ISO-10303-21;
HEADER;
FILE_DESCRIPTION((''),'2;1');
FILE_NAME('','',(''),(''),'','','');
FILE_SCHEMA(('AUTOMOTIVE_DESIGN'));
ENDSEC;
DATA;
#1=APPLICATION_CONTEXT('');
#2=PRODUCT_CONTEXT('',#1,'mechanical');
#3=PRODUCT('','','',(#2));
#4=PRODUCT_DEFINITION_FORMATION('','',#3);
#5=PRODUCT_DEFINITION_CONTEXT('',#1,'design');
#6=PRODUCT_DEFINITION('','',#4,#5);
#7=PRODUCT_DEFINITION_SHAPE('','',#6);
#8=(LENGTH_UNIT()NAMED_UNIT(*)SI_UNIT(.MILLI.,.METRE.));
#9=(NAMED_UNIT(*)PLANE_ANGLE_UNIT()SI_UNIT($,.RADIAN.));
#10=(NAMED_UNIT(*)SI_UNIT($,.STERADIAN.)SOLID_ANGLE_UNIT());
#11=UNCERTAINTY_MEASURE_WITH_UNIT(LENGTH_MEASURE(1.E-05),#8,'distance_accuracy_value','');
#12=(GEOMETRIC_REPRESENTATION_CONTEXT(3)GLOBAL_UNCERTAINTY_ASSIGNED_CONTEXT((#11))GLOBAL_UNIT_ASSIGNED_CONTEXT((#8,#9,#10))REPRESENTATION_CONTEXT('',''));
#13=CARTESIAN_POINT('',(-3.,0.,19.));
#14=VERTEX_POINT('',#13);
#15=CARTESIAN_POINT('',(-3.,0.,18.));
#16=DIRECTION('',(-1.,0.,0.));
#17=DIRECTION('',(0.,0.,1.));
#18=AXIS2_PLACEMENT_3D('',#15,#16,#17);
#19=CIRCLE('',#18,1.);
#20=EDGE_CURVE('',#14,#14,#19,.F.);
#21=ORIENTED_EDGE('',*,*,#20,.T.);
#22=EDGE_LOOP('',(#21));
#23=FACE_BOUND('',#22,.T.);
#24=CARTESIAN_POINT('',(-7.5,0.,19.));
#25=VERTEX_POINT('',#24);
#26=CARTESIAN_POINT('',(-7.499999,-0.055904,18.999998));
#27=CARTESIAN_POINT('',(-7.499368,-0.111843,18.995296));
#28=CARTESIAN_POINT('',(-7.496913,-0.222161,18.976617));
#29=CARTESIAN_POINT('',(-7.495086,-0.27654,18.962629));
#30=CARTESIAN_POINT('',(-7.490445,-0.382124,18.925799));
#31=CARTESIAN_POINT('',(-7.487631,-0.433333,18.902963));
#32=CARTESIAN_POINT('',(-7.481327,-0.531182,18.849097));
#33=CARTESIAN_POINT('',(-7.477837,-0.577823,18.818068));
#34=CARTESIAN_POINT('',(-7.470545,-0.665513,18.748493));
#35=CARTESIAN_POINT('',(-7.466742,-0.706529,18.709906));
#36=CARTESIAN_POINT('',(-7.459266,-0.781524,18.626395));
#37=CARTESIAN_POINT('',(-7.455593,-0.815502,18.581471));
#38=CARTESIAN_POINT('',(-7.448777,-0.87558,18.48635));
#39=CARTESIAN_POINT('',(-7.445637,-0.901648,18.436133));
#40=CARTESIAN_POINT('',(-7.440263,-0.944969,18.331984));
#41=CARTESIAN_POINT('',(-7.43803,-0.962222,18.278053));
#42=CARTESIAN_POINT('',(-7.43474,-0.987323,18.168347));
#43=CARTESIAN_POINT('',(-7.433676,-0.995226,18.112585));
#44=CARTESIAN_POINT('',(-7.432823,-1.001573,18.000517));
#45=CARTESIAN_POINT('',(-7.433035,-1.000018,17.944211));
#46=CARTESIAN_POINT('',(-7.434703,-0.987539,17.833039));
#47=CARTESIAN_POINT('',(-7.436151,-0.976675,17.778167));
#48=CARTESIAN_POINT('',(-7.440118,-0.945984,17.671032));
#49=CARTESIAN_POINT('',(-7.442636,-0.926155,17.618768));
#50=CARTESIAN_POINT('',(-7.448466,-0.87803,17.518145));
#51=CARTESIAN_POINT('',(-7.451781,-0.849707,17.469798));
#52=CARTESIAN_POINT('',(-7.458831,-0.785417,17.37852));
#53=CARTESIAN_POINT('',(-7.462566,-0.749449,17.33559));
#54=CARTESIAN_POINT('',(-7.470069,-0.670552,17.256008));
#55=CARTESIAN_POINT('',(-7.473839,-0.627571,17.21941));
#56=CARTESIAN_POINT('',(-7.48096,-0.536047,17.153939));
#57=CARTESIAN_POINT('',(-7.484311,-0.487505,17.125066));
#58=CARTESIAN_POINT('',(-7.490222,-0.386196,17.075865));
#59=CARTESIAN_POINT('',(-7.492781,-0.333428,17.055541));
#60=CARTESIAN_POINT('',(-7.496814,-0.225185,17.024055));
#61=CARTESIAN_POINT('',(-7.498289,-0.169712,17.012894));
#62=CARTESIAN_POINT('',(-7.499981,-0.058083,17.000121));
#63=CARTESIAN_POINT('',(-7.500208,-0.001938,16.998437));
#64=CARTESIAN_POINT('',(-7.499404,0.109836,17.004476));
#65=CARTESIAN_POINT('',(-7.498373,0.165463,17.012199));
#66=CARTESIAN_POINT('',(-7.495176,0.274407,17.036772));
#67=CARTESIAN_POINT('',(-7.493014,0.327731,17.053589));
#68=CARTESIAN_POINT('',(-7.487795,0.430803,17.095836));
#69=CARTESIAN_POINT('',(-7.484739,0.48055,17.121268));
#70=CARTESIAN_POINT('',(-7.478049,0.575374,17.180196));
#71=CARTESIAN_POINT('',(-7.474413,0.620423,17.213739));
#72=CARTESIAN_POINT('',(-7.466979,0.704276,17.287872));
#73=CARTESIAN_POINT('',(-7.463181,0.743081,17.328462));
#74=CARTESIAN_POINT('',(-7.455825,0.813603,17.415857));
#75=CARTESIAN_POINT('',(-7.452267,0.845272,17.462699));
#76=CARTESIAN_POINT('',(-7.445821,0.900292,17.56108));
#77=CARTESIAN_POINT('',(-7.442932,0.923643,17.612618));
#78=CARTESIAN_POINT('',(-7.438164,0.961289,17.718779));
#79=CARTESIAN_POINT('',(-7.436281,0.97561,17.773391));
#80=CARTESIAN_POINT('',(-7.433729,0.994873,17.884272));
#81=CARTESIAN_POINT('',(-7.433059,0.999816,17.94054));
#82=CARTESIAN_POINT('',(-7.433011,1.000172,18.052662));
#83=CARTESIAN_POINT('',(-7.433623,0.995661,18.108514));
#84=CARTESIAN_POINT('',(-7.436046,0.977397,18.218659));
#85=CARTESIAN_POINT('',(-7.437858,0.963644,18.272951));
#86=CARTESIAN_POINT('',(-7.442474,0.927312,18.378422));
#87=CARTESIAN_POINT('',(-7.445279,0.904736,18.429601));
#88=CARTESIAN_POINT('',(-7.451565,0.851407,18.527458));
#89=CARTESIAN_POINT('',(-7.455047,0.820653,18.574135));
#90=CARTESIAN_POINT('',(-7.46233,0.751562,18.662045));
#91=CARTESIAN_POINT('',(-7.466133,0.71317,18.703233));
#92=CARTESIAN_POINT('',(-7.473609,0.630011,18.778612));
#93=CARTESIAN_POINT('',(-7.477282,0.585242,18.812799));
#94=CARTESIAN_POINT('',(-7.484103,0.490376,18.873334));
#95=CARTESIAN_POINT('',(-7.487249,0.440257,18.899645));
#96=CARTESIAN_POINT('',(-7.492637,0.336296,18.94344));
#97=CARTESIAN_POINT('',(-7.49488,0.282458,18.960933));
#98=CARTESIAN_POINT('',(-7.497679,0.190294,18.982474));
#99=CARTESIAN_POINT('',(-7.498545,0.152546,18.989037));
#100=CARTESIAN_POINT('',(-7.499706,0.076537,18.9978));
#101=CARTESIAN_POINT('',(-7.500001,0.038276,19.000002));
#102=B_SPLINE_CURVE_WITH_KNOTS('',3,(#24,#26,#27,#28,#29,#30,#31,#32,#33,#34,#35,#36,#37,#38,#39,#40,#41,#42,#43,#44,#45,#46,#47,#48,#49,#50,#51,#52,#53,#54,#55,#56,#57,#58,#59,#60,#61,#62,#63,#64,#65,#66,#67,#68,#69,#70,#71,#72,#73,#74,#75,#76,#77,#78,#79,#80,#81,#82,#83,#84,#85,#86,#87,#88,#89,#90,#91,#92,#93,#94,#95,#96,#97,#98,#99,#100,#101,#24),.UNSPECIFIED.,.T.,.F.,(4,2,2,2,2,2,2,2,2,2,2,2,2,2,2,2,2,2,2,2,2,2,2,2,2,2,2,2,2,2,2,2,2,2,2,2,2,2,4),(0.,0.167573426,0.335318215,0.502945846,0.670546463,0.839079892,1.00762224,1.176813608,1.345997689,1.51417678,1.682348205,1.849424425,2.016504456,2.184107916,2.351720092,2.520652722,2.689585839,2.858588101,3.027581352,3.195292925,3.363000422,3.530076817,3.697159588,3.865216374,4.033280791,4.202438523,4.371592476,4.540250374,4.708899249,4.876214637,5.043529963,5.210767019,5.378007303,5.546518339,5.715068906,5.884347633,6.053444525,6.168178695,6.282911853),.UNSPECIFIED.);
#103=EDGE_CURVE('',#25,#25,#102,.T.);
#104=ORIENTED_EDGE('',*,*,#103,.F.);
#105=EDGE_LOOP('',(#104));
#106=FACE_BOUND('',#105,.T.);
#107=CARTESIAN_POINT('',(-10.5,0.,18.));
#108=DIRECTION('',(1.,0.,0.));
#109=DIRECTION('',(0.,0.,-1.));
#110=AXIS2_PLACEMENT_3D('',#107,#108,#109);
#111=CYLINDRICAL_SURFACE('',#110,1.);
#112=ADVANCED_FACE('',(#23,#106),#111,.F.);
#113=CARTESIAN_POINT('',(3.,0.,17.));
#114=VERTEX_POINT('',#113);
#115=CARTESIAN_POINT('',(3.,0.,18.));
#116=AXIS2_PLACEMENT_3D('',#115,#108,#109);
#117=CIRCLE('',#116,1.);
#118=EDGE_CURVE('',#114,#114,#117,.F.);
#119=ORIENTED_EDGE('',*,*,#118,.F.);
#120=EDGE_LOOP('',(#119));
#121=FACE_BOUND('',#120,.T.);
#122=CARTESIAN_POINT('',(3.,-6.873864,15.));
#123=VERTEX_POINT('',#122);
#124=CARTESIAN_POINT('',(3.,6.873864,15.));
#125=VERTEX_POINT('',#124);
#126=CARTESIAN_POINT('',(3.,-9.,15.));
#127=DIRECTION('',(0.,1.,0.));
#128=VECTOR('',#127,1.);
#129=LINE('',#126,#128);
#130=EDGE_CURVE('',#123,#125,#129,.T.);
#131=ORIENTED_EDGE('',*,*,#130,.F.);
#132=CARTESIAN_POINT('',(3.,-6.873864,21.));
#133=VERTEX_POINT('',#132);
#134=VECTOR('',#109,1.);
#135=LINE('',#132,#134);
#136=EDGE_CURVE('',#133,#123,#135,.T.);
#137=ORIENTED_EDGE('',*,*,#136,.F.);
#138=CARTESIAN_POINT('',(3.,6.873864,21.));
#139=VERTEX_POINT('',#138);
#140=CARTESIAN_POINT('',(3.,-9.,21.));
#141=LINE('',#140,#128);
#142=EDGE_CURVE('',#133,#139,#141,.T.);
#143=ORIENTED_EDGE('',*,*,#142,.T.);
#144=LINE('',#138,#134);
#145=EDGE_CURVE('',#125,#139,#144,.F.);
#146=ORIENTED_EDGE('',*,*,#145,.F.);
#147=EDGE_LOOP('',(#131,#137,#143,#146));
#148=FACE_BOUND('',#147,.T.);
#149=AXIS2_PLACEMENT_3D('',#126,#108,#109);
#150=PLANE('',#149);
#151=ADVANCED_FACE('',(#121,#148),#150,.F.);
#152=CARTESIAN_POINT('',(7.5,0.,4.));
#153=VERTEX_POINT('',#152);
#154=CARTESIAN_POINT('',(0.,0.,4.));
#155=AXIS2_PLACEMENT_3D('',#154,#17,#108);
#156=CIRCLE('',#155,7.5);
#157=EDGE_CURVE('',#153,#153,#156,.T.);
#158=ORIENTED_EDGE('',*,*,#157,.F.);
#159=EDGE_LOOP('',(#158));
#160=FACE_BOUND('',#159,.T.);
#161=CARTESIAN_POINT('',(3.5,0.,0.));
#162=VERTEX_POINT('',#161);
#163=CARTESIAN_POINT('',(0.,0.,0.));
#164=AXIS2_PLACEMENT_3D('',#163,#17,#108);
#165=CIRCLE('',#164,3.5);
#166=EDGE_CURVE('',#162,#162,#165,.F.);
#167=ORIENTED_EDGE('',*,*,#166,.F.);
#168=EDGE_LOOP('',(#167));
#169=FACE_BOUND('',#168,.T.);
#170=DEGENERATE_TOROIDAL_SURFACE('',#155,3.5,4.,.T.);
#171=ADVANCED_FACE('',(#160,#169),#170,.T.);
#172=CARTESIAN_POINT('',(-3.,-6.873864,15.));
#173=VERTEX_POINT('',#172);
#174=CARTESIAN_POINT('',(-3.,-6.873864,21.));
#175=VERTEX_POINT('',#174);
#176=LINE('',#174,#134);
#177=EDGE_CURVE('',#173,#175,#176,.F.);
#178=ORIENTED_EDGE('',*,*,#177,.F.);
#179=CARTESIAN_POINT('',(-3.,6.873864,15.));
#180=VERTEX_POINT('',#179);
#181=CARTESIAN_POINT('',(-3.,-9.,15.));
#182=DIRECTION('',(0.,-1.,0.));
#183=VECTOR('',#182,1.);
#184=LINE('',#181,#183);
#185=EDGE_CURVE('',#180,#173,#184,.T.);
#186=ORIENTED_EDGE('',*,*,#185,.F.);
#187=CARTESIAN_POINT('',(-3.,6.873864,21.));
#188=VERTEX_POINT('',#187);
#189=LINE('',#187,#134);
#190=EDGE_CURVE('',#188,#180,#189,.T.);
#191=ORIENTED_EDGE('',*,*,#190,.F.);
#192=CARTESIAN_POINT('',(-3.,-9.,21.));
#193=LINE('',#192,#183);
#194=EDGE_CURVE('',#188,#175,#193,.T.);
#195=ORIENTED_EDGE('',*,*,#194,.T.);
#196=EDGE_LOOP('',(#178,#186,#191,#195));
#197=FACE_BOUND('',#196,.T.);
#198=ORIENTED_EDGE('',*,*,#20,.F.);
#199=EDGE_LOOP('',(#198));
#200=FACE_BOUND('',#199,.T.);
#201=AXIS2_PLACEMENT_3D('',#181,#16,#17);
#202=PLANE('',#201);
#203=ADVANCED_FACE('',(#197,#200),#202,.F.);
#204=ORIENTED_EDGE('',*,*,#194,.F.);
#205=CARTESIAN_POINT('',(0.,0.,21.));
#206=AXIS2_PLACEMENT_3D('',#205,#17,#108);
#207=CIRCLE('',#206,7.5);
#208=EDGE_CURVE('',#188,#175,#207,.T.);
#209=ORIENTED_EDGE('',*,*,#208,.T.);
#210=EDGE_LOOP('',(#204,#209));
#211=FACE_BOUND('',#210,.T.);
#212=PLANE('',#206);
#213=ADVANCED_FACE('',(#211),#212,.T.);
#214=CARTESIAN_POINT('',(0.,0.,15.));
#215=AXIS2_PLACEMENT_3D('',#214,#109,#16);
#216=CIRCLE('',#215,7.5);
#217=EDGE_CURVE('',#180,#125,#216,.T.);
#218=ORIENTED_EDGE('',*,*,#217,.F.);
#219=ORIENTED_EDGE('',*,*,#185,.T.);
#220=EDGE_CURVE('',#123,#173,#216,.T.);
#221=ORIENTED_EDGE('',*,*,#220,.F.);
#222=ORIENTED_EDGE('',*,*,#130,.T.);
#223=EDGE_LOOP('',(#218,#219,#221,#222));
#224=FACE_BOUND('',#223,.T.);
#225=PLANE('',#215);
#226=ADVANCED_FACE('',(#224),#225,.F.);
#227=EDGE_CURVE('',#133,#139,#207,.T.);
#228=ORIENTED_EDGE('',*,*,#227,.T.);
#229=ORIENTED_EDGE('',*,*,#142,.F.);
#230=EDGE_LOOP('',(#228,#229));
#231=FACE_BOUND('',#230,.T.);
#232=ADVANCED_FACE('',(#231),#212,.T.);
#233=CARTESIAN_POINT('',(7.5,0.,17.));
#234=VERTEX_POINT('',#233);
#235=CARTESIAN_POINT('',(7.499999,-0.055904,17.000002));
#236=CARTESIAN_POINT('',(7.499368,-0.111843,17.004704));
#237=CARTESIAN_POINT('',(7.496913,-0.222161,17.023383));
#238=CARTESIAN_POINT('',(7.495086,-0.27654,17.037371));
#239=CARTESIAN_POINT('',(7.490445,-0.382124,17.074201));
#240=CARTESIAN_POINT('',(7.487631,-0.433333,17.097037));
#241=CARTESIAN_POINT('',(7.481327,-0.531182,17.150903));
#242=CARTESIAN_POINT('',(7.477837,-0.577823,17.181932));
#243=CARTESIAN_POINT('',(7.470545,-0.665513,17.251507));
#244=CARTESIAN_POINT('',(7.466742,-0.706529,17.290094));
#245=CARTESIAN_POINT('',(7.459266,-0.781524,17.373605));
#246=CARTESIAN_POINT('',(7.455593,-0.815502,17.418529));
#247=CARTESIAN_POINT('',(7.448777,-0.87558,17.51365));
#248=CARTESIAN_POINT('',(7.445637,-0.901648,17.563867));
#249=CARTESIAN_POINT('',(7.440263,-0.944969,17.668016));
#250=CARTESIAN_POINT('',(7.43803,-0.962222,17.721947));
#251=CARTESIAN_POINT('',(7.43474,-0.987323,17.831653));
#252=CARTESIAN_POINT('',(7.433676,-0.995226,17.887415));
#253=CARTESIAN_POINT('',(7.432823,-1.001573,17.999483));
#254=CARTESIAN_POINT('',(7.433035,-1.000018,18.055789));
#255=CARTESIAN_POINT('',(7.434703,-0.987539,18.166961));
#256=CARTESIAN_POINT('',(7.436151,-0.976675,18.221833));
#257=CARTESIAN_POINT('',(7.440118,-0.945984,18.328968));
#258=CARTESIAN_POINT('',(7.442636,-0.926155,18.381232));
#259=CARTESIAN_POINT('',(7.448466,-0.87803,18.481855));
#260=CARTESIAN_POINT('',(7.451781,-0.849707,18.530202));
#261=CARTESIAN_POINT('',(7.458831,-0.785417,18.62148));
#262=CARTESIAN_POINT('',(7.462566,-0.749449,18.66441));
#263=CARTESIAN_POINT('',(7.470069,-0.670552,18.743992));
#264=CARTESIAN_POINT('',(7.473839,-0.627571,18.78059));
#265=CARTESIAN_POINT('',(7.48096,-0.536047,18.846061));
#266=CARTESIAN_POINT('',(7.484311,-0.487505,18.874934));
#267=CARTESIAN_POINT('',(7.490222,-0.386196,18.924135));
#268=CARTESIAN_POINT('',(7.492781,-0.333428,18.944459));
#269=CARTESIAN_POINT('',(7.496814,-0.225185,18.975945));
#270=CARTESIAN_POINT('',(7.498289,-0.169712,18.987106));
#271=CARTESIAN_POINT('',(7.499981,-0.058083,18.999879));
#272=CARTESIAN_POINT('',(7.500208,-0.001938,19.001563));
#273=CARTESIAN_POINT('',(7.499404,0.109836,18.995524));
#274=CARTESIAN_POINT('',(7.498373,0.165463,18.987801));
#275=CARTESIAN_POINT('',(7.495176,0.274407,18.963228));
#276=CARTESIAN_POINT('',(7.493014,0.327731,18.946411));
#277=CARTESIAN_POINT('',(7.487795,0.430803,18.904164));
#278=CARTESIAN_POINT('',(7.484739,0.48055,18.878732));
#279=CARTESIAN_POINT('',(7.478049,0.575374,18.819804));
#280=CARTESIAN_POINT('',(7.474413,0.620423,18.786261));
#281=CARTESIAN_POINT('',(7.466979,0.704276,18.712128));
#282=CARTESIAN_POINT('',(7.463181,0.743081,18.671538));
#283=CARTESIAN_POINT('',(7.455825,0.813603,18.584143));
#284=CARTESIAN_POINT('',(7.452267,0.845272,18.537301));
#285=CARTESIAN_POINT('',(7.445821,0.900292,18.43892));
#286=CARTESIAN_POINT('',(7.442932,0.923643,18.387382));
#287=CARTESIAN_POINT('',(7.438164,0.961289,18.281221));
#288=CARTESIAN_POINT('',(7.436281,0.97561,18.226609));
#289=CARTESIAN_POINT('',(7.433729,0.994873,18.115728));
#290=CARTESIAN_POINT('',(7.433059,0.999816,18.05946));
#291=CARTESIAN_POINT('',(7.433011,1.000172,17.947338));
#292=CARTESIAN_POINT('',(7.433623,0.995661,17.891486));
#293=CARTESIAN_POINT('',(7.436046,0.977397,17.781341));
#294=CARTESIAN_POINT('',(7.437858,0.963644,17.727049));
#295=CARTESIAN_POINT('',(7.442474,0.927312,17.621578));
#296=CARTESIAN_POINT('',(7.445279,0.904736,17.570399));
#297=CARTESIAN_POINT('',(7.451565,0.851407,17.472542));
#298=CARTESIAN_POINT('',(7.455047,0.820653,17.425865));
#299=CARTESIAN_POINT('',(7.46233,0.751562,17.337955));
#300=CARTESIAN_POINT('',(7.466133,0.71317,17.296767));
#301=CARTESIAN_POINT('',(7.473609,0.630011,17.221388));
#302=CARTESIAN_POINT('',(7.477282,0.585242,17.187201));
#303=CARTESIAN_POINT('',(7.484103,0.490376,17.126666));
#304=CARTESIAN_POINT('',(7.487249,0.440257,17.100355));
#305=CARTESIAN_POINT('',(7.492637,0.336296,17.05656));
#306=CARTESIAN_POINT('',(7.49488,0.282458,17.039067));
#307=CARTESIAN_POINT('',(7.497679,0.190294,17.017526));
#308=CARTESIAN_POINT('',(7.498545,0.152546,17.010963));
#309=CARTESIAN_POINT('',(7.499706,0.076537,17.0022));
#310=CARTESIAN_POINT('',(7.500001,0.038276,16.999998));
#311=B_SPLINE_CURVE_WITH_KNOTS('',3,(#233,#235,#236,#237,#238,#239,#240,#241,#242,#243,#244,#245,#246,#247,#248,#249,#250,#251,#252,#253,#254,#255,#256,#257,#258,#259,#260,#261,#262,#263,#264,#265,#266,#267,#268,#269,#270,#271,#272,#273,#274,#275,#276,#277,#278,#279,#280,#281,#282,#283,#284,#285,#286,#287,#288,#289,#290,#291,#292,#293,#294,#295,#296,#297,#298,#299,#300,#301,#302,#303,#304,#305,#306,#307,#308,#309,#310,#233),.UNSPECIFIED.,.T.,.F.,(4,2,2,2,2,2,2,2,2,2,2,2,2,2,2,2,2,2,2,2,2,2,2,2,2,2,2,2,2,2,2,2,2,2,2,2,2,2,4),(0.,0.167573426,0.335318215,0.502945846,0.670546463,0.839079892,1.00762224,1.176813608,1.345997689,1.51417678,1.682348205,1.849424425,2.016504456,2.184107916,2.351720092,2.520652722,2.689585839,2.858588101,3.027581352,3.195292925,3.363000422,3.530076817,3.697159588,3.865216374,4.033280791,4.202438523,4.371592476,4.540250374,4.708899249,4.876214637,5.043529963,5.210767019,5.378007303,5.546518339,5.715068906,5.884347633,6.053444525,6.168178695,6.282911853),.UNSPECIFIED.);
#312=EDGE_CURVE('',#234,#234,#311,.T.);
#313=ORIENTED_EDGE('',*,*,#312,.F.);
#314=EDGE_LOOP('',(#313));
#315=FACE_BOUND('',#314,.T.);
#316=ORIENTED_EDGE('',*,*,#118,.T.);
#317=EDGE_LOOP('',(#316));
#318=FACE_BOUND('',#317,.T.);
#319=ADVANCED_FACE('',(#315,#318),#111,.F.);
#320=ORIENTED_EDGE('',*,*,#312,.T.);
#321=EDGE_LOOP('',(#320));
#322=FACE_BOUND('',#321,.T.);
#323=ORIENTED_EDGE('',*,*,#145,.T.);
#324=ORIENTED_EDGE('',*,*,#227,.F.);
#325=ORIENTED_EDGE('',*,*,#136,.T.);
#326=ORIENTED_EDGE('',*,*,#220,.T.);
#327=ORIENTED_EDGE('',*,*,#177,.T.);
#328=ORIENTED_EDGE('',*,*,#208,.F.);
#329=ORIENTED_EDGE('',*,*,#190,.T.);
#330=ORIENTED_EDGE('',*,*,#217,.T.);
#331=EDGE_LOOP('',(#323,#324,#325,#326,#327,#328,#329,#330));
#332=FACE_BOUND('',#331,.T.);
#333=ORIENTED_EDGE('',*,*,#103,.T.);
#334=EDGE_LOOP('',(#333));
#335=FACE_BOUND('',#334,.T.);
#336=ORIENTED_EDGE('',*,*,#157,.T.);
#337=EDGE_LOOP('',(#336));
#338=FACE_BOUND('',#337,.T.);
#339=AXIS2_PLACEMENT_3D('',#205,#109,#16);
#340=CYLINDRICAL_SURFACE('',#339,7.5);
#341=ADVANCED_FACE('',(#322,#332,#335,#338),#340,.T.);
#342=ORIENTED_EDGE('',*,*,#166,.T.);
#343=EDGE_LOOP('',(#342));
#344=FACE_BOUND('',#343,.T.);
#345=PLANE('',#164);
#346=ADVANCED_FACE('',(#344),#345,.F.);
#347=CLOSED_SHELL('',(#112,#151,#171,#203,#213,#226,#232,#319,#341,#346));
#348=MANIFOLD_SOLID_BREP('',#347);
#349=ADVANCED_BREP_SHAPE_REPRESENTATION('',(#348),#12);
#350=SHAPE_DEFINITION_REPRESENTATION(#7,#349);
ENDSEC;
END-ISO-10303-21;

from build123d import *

# Parameters (mm, degrees)
CROQUIS1_R              = 7.5
SALIENTE_EXTRUIR1_DEPTH = 21
CROQUIS2_R              = 1
CORTAR_EXTRUIR1_DEPTH   = 10.5
CROQUIS3_W              = 6
CROQUIS3_H              = 18
CORTAR_EXTRUIR2_DEPTH   = 6
REDONDEO1_R             = 4


with BuildPart() as part:
    # Croquis1 → Saliente-Extruir1 (new body)
    with BuildSketch(Plane.XY):
        Circle(CROQUIS1_R)
    extrude(amount=SALIENTE_EXTRUIR1_DEPTH)

    # Croquis2 → Cortar-Extruir1 (cut, symmetric)
    with BuildSketch(Plane(origin=(0, 0, 0), x_dir=(0, 0, -1), z_dir=(1, 0, 0))):
        with Locations((-18, 0)):
            Circle(CROQUIS2_R)
    extrude(amount=CORTAR_EXTRUIR1_DEPTH, both=True, mode=Mode.SUBTRACT)

    # Croquis3 → Cortar-Extruir2 (cut)
    with BuildSketch(Plane.XY.offset(21)):
        Rectangle(CROQUIS3_W, CROQUIS3_H)
    extrude(amount=-CORTAR_EXTRUIR2_DEPTH, mode=Mode.SUBTRACT)

    # Redondeo1
    redondeo1_edges = [part.edges().sort_by_distance(p)[0] for p in [
        (-7.5, 0, 0),
    ]]
    fillet(redondeo1_edges, radius=REDONDEO1_R)


solid = part.part
